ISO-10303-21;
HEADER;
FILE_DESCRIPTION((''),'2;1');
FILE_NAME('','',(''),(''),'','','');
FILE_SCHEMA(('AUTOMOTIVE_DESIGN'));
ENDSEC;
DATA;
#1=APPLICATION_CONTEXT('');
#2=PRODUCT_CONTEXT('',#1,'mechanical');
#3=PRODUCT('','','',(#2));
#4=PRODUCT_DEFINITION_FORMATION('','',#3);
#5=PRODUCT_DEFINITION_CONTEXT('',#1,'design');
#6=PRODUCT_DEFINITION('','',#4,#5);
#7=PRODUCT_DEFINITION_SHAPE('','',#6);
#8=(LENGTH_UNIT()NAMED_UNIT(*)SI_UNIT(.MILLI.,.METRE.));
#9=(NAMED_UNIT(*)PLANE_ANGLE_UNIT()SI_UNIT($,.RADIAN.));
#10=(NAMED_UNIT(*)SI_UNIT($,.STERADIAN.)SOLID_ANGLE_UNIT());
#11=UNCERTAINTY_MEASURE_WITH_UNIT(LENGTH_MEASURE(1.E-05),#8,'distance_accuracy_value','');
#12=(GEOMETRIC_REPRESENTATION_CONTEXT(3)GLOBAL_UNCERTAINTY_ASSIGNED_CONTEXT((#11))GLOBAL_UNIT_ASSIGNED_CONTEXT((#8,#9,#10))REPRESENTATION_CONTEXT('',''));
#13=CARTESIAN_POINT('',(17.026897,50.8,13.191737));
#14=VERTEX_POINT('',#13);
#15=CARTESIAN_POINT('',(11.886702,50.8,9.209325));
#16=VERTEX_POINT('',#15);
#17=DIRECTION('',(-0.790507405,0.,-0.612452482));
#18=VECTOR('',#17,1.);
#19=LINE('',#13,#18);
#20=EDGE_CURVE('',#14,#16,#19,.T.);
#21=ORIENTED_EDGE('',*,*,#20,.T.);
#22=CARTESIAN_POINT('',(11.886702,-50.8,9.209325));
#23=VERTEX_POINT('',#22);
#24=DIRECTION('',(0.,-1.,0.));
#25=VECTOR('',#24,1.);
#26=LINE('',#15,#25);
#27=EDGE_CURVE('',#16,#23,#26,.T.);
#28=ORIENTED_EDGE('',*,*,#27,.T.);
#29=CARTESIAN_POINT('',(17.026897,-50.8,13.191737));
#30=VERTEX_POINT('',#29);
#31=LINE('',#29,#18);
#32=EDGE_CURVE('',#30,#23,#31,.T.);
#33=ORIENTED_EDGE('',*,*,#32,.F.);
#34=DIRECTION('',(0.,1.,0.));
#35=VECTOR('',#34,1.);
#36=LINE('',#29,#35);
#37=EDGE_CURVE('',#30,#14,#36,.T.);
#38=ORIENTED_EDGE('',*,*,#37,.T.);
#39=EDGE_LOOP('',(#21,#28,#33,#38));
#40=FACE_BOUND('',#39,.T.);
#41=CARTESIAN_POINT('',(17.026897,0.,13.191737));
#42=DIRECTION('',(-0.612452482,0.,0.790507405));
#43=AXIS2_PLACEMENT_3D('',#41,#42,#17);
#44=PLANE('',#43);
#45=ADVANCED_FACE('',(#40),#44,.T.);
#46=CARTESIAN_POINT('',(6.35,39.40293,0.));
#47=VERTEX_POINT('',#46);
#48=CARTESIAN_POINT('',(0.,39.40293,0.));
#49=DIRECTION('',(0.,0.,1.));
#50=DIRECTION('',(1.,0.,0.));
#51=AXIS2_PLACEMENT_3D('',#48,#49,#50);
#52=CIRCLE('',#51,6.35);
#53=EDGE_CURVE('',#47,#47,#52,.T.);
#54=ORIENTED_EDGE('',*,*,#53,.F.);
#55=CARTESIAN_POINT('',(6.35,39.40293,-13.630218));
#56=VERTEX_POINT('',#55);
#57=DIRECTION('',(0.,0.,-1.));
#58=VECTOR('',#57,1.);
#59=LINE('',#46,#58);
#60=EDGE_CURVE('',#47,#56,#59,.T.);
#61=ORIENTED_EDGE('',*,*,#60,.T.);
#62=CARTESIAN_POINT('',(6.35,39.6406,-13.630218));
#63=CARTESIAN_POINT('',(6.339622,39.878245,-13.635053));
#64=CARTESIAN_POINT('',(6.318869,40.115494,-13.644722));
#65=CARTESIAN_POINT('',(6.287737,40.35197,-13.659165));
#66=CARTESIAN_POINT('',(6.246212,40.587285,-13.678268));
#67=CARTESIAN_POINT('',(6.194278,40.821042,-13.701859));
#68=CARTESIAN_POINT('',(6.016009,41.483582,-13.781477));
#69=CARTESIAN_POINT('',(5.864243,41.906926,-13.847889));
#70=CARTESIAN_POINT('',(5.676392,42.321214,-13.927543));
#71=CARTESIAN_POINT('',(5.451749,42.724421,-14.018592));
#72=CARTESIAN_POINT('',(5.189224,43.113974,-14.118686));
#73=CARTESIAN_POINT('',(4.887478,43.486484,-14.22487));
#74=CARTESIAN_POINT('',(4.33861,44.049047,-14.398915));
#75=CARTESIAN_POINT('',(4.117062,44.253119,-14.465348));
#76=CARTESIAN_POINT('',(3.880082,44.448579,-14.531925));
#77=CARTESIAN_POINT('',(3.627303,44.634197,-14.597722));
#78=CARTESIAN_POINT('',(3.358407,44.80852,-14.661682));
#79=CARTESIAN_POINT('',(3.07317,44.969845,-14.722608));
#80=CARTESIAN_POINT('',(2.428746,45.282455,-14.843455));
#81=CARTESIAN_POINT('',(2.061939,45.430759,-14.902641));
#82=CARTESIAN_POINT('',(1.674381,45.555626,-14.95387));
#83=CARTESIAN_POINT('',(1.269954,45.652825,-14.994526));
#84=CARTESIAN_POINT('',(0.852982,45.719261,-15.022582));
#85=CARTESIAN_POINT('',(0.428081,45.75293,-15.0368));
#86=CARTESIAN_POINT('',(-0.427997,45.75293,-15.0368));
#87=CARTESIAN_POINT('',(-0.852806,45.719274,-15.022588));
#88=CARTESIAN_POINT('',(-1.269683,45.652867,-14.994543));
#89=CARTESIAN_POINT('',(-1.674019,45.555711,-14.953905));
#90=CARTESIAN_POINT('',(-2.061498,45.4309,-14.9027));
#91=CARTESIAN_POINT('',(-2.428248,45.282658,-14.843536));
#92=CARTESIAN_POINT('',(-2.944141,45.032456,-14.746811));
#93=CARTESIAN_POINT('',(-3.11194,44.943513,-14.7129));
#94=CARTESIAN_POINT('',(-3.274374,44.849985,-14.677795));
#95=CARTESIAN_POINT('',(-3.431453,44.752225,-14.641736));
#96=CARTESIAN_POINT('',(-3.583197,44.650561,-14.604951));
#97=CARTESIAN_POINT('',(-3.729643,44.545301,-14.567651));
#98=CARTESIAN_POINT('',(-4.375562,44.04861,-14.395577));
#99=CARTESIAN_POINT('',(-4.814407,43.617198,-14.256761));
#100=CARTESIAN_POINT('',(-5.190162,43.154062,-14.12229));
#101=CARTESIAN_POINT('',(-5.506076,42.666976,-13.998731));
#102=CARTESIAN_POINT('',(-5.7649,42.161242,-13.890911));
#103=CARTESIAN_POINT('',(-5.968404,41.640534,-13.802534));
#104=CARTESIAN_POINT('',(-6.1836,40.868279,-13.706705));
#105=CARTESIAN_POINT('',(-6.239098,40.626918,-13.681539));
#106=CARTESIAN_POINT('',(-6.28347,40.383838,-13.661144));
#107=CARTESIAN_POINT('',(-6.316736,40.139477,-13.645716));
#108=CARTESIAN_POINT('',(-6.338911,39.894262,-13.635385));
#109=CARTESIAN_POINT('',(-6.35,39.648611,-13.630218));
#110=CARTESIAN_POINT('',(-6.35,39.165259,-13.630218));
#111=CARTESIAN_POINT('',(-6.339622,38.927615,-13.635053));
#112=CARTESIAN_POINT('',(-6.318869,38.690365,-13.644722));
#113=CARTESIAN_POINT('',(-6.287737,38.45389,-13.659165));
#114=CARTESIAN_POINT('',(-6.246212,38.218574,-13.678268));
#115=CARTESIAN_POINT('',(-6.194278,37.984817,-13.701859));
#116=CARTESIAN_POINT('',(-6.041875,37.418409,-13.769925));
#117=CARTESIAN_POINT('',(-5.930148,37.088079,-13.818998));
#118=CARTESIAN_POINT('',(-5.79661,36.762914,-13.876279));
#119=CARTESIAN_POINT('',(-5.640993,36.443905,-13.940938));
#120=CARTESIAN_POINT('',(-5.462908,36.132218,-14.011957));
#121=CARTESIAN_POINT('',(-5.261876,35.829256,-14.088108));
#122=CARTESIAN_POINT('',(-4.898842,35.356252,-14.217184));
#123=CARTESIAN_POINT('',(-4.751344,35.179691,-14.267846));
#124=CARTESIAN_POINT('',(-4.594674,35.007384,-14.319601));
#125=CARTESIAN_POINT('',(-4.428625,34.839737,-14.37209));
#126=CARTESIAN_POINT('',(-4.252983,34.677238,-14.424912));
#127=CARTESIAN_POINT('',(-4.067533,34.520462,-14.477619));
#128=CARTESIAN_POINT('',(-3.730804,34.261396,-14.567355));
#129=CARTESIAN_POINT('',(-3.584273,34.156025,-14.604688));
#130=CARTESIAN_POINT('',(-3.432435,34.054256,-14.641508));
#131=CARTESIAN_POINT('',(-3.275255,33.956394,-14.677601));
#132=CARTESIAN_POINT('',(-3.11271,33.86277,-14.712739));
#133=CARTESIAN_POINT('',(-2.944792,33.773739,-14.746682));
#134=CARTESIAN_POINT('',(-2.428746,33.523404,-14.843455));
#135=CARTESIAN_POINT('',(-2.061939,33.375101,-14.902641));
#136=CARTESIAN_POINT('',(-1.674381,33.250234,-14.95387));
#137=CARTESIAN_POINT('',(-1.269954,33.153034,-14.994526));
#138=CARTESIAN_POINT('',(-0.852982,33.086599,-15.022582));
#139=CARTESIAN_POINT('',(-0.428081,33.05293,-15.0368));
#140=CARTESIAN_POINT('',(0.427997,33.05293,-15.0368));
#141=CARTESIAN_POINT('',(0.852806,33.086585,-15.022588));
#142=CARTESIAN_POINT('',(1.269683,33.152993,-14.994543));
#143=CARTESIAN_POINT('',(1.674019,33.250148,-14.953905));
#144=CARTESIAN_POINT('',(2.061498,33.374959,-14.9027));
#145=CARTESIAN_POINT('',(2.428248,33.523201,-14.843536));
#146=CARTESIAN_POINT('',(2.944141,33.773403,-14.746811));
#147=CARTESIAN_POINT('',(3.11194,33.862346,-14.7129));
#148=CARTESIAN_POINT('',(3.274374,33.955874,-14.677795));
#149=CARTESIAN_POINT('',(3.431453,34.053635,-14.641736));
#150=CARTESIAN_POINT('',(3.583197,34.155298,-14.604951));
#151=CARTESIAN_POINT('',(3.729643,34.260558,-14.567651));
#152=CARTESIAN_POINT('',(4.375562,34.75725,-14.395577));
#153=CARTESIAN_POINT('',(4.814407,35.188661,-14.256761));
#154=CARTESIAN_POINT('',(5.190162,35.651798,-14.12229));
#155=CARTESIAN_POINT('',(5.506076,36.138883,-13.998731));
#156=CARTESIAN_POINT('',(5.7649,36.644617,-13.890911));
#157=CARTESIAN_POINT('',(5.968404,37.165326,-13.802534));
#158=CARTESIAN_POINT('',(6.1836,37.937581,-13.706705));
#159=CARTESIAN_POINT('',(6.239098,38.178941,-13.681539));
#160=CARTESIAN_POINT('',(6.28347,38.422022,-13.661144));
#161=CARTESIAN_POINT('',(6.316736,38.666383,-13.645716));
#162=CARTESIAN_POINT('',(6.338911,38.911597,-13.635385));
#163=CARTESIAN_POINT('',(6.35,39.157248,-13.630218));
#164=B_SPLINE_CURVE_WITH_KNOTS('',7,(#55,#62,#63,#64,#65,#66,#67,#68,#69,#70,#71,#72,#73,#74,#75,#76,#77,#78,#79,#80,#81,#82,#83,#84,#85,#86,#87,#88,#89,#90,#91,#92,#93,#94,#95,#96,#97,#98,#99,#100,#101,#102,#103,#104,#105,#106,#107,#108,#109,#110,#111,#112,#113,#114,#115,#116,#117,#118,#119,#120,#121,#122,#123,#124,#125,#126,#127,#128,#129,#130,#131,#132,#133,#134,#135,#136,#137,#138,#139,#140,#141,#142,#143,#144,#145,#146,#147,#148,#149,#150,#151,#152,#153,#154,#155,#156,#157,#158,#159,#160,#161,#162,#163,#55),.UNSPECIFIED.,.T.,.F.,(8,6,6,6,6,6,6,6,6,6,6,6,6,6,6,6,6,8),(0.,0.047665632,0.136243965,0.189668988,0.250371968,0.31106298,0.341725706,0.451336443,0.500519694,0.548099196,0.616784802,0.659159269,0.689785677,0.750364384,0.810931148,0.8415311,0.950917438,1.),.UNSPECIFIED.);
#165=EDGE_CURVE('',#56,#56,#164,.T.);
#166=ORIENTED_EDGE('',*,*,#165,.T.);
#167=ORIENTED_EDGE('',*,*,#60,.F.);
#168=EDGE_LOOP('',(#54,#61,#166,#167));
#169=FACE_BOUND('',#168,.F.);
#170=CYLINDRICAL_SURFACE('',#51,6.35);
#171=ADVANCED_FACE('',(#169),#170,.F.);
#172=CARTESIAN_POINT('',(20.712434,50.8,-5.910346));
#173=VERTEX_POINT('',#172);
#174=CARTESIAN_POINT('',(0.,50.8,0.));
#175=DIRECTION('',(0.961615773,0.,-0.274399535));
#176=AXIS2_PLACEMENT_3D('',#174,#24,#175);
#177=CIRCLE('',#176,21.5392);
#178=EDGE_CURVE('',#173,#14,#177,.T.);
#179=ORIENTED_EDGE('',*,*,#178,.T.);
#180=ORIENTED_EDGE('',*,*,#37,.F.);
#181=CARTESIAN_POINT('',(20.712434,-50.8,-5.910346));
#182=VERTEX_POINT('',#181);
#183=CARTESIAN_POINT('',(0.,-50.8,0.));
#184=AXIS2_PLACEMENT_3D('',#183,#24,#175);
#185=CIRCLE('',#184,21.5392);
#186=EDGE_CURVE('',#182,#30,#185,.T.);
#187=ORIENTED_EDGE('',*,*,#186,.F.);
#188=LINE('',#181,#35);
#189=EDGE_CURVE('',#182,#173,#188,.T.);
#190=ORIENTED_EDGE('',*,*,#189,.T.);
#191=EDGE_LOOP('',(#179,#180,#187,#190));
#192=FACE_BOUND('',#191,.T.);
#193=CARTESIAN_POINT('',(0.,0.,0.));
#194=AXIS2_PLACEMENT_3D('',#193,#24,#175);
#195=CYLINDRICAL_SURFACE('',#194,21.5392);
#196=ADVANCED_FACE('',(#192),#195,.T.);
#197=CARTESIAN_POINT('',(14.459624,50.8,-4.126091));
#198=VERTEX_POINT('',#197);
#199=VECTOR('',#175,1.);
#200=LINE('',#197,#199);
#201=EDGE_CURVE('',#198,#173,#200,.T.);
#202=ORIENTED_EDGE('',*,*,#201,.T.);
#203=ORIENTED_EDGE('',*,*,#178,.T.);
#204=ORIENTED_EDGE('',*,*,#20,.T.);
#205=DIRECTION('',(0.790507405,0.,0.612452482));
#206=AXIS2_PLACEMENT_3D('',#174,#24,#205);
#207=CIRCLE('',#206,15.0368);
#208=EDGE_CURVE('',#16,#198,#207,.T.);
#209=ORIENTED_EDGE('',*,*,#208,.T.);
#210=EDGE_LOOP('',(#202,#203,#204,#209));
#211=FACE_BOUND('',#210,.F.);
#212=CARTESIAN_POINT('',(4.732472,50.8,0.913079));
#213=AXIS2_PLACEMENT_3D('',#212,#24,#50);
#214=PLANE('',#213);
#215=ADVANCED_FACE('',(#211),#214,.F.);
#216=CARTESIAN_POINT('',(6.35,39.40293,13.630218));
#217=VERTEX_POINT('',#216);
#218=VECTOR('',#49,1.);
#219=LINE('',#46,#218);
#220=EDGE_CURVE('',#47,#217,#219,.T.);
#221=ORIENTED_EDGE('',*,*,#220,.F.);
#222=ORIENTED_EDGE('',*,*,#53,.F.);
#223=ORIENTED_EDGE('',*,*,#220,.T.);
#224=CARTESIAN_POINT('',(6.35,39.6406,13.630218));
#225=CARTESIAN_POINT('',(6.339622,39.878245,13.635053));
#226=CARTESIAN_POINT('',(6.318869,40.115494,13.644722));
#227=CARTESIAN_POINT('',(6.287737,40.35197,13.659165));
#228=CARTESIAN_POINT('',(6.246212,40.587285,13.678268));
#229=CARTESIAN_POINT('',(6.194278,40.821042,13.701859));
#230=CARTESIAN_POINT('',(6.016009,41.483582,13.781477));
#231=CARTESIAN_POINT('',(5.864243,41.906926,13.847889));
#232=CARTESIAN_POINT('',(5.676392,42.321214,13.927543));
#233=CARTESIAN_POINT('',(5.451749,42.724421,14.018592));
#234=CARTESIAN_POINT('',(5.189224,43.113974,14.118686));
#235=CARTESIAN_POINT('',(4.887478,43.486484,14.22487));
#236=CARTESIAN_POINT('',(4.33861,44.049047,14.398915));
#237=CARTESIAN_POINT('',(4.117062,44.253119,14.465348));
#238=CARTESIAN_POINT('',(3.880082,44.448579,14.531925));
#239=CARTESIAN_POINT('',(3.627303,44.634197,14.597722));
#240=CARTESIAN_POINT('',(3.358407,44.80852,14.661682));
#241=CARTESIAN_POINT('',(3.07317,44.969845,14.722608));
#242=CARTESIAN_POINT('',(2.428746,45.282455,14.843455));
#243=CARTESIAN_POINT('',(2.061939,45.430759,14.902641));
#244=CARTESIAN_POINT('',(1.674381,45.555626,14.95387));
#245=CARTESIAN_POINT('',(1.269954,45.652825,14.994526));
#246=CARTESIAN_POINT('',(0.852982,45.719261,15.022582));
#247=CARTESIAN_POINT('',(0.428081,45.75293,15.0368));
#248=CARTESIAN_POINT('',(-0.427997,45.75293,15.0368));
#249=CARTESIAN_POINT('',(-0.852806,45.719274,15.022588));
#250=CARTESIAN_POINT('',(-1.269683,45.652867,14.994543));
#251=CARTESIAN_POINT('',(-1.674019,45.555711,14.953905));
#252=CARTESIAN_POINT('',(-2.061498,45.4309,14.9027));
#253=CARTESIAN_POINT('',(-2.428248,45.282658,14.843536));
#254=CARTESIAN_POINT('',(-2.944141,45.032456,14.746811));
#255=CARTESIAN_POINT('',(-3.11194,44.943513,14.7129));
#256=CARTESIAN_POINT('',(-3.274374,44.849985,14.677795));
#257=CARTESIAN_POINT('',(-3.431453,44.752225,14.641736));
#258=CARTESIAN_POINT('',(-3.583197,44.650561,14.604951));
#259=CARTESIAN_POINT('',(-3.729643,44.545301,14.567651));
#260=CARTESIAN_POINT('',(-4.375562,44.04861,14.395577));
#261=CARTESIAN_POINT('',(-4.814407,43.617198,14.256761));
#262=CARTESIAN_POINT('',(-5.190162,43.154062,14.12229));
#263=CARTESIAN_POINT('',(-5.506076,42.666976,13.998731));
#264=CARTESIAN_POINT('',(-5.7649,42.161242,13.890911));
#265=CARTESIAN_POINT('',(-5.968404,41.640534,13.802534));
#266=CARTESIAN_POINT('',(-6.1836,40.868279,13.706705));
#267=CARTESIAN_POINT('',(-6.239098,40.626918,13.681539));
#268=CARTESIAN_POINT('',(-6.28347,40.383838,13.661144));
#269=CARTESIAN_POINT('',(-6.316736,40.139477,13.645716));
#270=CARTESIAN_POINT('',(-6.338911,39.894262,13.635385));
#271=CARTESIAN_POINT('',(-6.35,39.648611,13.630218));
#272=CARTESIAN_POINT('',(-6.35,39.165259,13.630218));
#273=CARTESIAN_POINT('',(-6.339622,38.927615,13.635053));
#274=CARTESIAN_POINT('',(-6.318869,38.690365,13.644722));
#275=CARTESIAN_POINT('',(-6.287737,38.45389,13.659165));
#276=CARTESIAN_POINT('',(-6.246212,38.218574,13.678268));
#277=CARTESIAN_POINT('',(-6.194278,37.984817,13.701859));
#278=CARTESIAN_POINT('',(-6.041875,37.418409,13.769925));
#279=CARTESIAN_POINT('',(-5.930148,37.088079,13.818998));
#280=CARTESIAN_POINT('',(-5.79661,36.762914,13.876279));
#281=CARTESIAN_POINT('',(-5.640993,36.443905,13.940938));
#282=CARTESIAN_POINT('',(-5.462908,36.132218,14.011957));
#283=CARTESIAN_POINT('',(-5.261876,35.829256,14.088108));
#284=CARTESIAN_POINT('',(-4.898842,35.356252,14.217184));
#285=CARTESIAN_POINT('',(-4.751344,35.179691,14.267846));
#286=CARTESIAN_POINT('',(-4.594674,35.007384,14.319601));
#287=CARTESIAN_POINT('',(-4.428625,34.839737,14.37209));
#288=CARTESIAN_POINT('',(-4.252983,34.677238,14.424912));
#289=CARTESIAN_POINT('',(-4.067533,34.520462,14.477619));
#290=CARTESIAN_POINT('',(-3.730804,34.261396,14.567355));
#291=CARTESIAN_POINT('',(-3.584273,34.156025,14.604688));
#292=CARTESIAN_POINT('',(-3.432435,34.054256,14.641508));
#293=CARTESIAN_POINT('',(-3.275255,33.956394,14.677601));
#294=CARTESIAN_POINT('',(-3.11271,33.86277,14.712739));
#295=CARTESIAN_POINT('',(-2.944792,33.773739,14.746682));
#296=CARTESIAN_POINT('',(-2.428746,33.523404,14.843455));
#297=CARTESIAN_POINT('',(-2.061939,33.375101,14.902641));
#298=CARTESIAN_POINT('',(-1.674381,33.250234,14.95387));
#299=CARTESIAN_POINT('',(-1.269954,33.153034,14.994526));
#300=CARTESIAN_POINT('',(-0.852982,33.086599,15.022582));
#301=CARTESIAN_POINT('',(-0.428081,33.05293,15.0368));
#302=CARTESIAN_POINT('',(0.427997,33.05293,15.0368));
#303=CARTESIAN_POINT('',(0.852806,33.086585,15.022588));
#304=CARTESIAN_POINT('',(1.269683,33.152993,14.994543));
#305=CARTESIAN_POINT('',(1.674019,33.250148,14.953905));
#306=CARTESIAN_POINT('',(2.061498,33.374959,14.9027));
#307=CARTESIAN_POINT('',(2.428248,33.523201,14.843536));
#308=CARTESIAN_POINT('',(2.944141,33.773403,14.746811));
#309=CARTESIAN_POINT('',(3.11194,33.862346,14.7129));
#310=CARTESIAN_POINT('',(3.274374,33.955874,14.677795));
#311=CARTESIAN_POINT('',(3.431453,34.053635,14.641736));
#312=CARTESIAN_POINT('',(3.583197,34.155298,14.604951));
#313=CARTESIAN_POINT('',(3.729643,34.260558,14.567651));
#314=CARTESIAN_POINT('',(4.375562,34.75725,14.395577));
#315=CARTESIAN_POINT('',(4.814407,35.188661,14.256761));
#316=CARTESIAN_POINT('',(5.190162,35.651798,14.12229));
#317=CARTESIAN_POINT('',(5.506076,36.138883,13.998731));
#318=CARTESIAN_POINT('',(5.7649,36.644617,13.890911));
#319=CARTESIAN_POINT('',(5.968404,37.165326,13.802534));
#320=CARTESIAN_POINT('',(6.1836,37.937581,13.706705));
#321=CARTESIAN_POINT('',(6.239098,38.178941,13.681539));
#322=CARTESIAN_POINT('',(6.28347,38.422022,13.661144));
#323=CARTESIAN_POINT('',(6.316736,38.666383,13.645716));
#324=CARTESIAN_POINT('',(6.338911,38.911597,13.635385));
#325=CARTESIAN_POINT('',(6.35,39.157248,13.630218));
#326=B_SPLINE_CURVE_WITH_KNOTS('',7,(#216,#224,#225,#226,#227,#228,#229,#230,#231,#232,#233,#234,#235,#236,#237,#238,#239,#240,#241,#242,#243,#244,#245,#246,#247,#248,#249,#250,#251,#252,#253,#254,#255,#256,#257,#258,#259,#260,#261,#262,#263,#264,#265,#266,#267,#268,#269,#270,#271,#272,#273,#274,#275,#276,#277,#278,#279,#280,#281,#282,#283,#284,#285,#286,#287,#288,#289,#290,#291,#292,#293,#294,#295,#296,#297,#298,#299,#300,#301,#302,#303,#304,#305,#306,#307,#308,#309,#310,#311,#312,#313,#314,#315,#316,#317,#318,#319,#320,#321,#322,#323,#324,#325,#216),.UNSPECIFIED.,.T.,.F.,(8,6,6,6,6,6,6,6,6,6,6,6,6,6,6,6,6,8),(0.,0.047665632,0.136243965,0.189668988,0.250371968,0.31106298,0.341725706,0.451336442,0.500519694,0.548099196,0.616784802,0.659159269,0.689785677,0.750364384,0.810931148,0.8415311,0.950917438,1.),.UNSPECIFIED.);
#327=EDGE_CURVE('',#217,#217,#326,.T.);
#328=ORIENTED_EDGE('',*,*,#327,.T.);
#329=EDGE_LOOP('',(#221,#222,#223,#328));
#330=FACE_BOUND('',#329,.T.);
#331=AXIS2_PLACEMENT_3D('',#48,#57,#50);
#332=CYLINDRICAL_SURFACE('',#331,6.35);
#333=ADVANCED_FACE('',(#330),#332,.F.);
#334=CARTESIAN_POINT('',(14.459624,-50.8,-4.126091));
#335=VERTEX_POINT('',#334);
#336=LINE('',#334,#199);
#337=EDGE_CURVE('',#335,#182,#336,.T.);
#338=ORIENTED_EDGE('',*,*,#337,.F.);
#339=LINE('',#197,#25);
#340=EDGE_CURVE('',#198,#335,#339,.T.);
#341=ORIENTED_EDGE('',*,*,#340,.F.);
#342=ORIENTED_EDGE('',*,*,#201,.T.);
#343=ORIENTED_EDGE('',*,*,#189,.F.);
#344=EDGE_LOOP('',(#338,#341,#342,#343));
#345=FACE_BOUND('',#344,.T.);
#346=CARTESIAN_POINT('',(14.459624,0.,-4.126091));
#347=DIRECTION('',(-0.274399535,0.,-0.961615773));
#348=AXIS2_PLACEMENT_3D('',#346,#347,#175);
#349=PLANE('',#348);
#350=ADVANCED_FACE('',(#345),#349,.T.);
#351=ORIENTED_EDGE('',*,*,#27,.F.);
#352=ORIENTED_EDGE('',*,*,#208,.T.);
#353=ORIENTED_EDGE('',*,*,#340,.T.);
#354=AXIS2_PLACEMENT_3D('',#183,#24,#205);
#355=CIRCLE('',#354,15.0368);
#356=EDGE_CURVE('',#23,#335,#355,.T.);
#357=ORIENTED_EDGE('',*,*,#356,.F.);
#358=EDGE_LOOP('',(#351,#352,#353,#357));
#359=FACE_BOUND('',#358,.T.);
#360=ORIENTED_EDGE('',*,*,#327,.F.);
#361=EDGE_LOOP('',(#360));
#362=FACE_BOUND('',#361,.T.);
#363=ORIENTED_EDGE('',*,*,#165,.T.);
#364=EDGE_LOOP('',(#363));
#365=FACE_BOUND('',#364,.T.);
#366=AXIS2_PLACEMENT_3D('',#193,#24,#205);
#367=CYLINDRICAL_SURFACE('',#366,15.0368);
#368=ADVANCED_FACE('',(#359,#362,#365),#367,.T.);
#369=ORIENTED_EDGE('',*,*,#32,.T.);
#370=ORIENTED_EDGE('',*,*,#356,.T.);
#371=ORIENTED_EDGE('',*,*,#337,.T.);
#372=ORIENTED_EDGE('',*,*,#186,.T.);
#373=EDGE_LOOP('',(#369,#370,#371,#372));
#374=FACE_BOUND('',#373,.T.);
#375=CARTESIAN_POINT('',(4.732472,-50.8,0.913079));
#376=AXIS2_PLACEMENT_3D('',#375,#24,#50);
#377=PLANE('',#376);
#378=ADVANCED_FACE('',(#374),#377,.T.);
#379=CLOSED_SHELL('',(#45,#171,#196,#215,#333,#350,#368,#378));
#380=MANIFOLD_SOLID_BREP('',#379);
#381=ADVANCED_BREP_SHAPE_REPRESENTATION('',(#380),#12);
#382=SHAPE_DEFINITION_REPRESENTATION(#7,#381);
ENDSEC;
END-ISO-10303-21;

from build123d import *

# Parameters (mm, degrees)
F1_DEPTH      = 50.8
F2_R          = 6.35
F3_DEPTH      = 15.0378
F3_DEPTH_BACK = 25.4


with BuildPart() as f1:
    # F0 (on Front) → F1 (new body, symmetric)
    with BuildSketch(Plane.XZ):
        with BuildLine():
            Line((17.0268970914, 13.1917365074), (11.886701743, 9.2093254863))
            ThreePointArc((11.886701743, 9.2093254863), (-14.7645031598, -2.8486489228), (14.4596240561, -4.1260909341))
            Line((14.4596240561, -4.1260909341), (20.7124344587, -5.9103464731))
            ThreePointArc((20.7124344587, -5.9103464731), (21.1491531748, 4.0804971056), (17.0268970914, 13.1917365074))
        make_face()
    extrude(amount=F1_DEPTH, both=True)

    # F2 (on Top) → F3 (cut, two sides)
    with BuildSketch(Plane.XY) as f3_sk:
        with Locations((0, 39.4029297239)):
            Circle(F2_R)
    extrude(amount=-F3_DEPTH, mode=Mode.SUBTRACT)
    extrude(f3_sk.sketch, amount=F3_DEPTH_BACK, mode=Mode.SUBTRACT)


solid = f1.part
